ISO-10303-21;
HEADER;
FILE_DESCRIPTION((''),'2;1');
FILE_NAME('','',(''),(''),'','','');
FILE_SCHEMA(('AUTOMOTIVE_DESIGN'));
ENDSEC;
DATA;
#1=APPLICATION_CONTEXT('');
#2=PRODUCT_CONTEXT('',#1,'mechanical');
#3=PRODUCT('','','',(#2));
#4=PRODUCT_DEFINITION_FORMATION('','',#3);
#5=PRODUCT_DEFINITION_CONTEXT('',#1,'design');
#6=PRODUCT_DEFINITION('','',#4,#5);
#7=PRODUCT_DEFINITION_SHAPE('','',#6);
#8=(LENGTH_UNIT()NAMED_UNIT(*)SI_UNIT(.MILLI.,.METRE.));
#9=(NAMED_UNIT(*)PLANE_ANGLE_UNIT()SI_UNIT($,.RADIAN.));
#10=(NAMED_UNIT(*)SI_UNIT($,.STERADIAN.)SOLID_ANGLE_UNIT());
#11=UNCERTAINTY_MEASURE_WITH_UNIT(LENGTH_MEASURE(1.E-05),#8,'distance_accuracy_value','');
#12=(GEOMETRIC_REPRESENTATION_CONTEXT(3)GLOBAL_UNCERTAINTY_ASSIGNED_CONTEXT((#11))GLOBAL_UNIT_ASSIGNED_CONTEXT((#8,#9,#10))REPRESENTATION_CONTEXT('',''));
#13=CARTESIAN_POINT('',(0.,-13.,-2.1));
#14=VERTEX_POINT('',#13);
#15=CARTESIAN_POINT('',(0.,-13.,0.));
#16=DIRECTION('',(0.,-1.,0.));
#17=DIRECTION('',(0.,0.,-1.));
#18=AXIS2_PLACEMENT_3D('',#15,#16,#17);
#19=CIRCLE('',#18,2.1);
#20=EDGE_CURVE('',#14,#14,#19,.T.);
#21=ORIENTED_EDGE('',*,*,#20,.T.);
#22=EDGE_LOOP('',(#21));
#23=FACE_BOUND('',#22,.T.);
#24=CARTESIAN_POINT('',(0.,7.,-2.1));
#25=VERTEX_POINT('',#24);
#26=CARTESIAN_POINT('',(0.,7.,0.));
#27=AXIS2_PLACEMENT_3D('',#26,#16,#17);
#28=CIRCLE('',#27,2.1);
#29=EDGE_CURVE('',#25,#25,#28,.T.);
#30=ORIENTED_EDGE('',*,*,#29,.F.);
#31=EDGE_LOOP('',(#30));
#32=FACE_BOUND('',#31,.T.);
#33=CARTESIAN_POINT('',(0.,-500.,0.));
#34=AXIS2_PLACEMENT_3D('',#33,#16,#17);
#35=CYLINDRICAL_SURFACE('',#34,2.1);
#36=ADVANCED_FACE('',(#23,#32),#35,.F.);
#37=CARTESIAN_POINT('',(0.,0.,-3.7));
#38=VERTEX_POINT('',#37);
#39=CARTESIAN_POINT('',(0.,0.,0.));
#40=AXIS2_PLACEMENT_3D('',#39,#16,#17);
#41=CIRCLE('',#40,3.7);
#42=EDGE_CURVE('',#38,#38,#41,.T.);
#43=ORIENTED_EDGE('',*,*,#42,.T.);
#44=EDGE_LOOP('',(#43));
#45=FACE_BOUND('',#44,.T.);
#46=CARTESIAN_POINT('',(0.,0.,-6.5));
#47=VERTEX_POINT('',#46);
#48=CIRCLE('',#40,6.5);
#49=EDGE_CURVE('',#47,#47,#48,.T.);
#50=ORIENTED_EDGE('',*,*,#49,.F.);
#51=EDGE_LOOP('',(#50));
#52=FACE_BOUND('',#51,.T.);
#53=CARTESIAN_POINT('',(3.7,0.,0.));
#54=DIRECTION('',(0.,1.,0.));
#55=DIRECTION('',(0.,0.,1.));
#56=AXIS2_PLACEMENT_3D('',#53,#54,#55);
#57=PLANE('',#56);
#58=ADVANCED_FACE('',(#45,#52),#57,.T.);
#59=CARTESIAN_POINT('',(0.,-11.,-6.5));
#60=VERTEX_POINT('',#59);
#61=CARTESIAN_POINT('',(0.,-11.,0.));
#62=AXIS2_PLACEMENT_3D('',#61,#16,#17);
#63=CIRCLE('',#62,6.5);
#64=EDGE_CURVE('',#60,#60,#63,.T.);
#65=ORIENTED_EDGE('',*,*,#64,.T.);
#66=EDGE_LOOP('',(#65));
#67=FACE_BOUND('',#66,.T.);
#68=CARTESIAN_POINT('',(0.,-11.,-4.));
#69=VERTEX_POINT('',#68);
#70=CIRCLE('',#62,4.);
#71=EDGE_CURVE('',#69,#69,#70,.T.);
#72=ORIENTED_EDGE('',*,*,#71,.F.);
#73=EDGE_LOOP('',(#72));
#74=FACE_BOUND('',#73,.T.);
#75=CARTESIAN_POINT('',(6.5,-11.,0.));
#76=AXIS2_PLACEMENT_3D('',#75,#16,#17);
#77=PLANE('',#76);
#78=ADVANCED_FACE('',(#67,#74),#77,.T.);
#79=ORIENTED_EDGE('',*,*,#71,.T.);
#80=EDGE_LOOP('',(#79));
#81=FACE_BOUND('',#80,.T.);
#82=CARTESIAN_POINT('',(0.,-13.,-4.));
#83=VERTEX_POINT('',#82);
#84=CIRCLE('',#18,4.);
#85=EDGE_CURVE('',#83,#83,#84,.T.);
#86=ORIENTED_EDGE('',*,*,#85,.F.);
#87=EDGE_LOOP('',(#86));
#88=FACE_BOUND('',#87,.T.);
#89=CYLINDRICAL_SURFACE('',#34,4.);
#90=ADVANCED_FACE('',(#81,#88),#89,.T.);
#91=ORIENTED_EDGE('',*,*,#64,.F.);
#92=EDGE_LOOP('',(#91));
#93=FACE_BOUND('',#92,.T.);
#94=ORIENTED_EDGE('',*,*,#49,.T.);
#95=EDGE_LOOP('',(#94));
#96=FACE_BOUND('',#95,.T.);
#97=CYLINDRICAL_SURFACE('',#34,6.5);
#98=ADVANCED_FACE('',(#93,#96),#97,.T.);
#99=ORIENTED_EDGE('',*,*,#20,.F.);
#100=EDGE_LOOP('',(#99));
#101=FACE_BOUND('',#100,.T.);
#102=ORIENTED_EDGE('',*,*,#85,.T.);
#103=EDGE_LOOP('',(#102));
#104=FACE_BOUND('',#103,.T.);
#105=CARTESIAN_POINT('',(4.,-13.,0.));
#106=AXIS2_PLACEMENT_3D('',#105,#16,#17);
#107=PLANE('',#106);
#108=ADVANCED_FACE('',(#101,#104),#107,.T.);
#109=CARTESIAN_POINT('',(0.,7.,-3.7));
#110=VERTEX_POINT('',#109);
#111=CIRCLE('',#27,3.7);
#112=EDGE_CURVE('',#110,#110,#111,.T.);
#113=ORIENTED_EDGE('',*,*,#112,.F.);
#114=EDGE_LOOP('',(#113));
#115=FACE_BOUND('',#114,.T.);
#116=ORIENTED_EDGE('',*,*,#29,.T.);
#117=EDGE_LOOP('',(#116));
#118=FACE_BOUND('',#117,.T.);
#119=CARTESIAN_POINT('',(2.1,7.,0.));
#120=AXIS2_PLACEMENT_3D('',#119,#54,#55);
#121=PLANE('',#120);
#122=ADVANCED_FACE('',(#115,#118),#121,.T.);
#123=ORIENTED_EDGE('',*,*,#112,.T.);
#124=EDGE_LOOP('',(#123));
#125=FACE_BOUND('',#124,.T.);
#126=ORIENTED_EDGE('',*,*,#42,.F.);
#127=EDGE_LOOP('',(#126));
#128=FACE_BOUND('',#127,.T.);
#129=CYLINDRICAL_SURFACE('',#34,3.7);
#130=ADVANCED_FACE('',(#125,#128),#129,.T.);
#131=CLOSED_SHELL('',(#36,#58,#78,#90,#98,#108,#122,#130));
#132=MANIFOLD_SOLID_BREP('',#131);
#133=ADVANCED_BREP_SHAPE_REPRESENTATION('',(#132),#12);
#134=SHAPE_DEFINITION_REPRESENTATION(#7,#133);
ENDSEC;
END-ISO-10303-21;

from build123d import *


with BuildPart() as part:
    # Reconstructed nominal axial profile → Native revolved geometry (revolve)
    with BuildSketch(Plane.XY, mode=Mode.PRIVATE) as native_revolved_geometry_sk:
        Polygon((2.1, -13), (2.1, 7), (3.7, 7), (3.7, 0), (6.5, 0), (6.5, -11), (4, -11), (4, -13), align=None)
    revolve(native_revolved_geometry_sk.sketch.rotate(Axis((0, -500, 0), (0, 1, 0)), 90), axis=Axis((0, -500, 0), (0, 1, 0)))


solid = part.part
